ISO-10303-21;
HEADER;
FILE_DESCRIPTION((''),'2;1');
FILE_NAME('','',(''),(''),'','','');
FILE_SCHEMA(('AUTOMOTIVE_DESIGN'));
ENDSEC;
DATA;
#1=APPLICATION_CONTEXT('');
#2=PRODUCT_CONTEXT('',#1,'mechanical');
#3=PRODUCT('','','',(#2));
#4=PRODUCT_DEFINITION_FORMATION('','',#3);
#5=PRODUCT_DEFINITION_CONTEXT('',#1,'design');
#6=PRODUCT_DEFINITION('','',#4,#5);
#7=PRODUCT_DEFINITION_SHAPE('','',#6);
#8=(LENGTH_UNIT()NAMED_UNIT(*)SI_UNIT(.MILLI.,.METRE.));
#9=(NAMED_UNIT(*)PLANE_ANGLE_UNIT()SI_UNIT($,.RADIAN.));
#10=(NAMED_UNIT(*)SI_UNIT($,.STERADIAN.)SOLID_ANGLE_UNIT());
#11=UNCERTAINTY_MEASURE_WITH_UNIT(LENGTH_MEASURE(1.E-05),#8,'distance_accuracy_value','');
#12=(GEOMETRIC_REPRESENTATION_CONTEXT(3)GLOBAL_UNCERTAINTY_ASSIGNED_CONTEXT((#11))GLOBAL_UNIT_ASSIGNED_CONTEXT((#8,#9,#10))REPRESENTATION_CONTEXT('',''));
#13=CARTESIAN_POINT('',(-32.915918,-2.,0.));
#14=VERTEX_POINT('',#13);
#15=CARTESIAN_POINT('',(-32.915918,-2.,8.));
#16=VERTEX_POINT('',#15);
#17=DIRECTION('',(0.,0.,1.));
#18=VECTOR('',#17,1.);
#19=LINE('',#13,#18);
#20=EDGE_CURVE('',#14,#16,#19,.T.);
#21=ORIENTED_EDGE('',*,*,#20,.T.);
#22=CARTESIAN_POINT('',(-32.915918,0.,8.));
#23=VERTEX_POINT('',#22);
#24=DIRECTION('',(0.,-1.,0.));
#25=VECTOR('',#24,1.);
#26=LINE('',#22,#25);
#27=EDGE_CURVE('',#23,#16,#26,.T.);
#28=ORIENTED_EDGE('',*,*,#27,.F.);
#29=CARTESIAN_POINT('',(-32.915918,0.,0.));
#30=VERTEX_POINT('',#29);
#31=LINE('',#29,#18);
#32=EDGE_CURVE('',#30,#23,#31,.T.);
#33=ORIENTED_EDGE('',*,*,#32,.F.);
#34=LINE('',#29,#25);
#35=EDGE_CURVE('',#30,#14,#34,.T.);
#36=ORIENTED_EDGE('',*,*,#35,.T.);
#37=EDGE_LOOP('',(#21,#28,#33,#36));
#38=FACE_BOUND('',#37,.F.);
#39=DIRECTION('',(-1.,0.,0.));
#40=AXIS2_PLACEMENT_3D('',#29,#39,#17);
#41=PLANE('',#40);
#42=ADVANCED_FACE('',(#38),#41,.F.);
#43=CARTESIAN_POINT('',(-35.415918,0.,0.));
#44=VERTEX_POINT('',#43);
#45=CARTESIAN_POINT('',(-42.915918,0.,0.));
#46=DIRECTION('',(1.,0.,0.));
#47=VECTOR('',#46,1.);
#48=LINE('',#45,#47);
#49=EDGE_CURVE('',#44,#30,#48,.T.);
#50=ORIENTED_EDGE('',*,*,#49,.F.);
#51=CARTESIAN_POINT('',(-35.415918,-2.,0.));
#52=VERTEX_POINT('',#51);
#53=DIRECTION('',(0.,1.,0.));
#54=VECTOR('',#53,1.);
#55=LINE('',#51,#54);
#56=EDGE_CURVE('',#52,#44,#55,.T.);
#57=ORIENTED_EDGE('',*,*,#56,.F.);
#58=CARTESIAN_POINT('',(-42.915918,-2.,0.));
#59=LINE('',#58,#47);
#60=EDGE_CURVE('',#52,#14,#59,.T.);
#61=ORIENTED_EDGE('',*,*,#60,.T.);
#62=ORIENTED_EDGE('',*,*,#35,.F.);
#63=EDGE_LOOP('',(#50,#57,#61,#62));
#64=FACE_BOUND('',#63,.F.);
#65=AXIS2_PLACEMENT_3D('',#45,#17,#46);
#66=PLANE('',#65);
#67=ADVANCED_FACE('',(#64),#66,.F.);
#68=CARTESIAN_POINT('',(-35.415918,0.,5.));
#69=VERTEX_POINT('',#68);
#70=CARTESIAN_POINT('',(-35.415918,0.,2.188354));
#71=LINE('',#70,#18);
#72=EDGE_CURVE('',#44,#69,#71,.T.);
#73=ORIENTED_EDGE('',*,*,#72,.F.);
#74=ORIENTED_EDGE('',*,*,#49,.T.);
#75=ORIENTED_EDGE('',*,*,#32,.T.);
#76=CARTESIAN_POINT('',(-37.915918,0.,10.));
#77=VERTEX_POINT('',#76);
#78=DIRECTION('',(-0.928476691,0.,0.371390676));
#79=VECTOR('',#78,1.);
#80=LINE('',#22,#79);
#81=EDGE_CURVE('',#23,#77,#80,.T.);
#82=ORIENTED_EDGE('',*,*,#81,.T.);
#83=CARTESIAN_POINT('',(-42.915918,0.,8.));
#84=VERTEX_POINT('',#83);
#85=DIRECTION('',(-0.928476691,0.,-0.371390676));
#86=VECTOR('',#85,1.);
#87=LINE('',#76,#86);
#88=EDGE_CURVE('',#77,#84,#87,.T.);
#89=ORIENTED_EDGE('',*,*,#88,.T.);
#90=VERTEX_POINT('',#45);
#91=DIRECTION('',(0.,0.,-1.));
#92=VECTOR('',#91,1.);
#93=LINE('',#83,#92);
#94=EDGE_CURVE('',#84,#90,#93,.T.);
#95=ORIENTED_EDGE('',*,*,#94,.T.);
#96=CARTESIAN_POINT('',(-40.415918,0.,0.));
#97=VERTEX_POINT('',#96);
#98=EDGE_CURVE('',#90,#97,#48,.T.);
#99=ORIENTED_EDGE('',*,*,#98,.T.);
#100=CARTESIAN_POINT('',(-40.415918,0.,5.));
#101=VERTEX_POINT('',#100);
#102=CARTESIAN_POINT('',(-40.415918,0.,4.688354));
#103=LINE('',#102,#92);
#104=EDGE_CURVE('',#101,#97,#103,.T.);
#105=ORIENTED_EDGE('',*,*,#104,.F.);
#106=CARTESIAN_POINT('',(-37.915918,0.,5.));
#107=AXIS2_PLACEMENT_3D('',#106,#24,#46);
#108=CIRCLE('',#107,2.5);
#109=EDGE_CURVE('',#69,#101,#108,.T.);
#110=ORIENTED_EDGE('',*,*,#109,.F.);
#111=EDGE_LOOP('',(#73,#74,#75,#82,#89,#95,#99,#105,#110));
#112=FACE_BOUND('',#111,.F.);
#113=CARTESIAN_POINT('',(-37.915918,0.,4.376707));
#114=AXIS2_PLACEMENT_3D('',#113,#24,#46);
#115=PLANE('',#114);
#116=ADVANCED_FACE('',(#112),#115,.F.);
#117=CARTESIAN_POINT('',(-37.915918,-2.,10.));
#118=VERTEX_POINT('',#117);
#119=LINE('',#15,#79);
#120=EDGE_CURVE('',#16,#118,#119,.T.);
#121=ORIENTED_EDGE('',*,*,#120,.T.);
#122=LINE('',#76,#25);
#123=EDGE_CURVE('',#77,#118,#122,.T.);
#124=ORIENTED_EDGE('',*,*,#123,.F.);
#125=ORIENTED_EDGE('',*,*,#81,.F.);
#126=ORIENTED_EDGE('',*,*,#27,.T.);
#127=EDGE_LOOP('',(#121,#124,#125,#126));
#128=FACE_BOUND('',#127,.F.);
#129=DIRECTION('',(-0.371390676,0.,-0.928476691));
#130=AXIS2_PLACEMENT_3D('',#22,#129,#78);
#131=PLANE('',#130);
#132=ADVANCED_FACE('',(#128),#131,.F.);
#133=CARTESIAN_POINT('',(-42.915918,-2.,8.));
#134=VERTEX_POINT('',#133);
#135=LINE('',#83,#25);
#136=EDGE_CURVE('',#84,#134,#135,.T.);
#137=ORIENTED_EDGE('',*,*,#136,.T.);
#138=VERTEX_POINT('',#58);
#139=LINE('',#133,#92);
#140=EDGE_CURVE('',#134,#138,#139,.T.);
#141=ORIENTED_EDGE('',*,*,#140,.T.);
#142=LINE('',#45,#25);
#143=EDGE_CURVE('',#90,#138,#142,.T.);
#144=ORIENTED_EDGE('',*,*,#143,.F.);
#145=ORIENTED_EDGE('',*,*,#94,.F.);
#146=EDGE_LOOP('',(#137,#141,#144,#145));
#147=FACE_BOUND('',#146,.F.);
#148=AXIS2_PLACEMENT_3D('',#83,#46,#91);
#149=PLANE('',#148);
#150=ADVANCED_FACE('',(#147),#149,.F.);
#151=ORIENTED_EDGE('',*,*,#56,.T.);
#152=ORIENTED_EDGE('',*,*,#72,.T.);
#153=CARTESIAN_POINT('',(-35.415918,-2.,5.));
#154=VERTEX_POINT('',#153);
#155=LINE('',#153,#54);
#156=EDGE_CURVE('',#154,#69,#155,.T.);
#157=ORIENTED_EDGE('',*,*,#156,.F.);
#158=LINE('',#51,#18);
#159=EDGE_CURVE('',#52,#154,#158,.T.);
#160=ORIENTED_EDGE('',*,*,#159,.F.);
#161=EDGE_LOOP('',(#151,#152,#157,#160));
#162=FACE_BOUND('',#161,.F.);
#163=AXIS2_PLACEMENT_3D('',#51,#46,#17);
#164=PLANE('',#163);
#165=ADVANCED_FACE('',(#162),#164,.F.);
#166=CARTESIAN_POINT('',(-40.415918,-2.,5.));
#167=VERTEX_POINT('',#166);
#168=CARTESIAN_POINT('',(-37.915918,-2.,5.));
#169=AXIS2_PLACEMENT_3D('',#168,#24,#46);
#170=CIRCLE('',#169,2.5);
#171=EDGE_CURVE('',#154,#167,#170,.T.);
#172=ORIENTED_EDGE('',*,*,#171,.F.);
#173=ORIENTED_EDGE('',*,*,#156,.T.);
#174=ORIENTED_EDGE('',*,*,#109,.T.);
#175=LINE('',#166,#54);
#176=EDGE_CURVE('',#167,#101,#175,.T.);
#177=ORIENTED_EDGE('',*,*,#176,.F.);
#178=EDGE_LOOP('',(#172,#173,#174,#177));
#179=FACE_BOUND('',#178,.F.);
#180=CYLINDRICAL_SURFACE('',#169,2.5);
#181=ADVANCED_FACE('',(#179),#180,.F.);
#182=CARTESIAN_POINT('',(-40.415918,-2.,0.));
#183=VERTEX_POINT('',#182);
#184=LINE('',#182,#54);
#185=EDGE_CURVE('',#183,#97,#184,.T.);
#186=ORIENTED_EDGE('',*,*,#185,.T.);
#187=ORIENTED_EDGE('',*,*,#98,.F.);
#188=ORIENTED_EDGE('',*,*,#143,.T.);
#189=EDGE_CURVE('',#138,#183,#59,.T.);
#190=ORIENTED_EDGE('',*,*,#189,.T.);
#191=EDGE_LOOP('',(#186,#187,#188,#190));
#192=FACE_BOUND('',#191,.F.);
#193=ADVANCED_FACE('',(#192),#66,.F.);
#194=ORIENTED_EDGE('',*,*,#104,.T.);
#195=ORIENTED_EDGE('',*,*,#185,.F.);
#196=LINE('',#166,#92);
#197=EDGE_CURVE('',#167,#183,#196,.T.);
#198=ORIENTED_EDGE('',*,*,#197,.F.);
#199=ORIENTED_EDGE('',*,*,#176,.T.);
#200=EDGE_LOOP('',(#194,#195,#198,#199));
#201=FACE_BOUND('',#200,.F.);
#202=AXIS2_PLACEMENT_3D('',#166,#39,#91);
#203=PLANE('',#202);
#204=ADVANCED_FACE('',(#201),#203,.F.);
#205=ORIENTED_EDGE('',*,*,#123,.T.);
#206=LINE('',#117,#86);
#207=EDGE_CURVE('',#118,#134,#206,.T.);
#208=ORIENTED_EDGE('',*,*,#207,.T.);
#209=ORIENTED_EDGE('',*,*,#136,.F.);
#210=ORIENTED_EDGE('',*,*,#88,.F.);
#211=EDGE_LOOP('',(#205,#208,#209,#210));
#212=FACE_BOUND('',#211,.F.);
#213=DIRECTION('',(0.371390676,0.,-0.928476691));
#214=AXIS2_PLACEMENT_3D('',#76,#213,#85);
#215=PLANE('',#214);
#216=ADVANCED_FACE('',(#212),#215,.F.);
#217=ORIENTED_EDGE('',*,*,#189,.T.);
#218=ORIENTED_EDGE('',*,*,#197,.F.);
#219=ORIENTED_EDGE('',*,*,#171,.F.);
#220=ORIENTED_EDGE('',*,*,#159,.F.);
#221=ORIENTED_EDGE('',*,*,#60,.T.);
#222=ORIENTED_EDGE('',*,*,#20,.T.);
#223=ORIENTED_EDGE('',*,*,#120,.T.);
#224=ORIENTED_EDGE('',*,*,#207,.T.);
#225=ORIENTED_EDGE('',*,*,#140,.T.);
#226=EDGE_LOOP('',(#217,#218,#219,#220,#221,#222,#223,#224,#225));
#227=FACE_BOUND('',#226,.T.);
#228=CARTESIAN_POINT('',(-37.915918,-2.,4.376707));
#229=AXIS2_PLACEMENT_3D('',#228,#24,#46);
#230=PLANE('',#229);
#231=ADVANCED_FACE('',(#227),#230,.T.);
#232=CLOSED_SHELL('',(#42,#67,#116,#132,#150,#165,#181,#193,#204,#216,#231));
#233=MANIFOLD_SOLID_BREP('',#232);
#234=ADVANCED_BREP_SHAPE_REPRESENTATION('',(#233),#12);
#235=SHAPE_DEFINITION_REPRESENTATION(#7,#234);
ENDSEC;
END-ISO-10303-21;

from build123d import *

# Parameters (mm, degrees)
F1_DEPTH = 2
F3_DEPTH = 25


with BuildPart() as f1:
    # F0 (on Front) → F1 (new body)
    with BuildSketch(Plane.XZ):
        Polygon((-42.915918, 8), (-42.915918, 0), (-32.915918, 0), (-32.915918, 8), (-37.915918, 10), align=None)
    extrude(amount=F1_DEPTH)

    # F2 (on face) → F3 (cut)
    with BuildSketch(Plane.XZ.offset(2)):
        with BuildLine():
            ThreePointArc((-35.415918, 5), (-37.915918, 7.5), (-40.415918, 5))
            Line((-40.415918, 5), (-40.415918, 0))
            Line((-40.415918, 0), (-37.915918, 0))
            Line((-37.915918, 0), (-35.415918, 0))
            Line((-35.415918, 0), (-35.415918, 5))
        make_face()
    extrude(amount=-F3_DEPTH, mode=Mode.SUBTRACT)


solid = f1.part
